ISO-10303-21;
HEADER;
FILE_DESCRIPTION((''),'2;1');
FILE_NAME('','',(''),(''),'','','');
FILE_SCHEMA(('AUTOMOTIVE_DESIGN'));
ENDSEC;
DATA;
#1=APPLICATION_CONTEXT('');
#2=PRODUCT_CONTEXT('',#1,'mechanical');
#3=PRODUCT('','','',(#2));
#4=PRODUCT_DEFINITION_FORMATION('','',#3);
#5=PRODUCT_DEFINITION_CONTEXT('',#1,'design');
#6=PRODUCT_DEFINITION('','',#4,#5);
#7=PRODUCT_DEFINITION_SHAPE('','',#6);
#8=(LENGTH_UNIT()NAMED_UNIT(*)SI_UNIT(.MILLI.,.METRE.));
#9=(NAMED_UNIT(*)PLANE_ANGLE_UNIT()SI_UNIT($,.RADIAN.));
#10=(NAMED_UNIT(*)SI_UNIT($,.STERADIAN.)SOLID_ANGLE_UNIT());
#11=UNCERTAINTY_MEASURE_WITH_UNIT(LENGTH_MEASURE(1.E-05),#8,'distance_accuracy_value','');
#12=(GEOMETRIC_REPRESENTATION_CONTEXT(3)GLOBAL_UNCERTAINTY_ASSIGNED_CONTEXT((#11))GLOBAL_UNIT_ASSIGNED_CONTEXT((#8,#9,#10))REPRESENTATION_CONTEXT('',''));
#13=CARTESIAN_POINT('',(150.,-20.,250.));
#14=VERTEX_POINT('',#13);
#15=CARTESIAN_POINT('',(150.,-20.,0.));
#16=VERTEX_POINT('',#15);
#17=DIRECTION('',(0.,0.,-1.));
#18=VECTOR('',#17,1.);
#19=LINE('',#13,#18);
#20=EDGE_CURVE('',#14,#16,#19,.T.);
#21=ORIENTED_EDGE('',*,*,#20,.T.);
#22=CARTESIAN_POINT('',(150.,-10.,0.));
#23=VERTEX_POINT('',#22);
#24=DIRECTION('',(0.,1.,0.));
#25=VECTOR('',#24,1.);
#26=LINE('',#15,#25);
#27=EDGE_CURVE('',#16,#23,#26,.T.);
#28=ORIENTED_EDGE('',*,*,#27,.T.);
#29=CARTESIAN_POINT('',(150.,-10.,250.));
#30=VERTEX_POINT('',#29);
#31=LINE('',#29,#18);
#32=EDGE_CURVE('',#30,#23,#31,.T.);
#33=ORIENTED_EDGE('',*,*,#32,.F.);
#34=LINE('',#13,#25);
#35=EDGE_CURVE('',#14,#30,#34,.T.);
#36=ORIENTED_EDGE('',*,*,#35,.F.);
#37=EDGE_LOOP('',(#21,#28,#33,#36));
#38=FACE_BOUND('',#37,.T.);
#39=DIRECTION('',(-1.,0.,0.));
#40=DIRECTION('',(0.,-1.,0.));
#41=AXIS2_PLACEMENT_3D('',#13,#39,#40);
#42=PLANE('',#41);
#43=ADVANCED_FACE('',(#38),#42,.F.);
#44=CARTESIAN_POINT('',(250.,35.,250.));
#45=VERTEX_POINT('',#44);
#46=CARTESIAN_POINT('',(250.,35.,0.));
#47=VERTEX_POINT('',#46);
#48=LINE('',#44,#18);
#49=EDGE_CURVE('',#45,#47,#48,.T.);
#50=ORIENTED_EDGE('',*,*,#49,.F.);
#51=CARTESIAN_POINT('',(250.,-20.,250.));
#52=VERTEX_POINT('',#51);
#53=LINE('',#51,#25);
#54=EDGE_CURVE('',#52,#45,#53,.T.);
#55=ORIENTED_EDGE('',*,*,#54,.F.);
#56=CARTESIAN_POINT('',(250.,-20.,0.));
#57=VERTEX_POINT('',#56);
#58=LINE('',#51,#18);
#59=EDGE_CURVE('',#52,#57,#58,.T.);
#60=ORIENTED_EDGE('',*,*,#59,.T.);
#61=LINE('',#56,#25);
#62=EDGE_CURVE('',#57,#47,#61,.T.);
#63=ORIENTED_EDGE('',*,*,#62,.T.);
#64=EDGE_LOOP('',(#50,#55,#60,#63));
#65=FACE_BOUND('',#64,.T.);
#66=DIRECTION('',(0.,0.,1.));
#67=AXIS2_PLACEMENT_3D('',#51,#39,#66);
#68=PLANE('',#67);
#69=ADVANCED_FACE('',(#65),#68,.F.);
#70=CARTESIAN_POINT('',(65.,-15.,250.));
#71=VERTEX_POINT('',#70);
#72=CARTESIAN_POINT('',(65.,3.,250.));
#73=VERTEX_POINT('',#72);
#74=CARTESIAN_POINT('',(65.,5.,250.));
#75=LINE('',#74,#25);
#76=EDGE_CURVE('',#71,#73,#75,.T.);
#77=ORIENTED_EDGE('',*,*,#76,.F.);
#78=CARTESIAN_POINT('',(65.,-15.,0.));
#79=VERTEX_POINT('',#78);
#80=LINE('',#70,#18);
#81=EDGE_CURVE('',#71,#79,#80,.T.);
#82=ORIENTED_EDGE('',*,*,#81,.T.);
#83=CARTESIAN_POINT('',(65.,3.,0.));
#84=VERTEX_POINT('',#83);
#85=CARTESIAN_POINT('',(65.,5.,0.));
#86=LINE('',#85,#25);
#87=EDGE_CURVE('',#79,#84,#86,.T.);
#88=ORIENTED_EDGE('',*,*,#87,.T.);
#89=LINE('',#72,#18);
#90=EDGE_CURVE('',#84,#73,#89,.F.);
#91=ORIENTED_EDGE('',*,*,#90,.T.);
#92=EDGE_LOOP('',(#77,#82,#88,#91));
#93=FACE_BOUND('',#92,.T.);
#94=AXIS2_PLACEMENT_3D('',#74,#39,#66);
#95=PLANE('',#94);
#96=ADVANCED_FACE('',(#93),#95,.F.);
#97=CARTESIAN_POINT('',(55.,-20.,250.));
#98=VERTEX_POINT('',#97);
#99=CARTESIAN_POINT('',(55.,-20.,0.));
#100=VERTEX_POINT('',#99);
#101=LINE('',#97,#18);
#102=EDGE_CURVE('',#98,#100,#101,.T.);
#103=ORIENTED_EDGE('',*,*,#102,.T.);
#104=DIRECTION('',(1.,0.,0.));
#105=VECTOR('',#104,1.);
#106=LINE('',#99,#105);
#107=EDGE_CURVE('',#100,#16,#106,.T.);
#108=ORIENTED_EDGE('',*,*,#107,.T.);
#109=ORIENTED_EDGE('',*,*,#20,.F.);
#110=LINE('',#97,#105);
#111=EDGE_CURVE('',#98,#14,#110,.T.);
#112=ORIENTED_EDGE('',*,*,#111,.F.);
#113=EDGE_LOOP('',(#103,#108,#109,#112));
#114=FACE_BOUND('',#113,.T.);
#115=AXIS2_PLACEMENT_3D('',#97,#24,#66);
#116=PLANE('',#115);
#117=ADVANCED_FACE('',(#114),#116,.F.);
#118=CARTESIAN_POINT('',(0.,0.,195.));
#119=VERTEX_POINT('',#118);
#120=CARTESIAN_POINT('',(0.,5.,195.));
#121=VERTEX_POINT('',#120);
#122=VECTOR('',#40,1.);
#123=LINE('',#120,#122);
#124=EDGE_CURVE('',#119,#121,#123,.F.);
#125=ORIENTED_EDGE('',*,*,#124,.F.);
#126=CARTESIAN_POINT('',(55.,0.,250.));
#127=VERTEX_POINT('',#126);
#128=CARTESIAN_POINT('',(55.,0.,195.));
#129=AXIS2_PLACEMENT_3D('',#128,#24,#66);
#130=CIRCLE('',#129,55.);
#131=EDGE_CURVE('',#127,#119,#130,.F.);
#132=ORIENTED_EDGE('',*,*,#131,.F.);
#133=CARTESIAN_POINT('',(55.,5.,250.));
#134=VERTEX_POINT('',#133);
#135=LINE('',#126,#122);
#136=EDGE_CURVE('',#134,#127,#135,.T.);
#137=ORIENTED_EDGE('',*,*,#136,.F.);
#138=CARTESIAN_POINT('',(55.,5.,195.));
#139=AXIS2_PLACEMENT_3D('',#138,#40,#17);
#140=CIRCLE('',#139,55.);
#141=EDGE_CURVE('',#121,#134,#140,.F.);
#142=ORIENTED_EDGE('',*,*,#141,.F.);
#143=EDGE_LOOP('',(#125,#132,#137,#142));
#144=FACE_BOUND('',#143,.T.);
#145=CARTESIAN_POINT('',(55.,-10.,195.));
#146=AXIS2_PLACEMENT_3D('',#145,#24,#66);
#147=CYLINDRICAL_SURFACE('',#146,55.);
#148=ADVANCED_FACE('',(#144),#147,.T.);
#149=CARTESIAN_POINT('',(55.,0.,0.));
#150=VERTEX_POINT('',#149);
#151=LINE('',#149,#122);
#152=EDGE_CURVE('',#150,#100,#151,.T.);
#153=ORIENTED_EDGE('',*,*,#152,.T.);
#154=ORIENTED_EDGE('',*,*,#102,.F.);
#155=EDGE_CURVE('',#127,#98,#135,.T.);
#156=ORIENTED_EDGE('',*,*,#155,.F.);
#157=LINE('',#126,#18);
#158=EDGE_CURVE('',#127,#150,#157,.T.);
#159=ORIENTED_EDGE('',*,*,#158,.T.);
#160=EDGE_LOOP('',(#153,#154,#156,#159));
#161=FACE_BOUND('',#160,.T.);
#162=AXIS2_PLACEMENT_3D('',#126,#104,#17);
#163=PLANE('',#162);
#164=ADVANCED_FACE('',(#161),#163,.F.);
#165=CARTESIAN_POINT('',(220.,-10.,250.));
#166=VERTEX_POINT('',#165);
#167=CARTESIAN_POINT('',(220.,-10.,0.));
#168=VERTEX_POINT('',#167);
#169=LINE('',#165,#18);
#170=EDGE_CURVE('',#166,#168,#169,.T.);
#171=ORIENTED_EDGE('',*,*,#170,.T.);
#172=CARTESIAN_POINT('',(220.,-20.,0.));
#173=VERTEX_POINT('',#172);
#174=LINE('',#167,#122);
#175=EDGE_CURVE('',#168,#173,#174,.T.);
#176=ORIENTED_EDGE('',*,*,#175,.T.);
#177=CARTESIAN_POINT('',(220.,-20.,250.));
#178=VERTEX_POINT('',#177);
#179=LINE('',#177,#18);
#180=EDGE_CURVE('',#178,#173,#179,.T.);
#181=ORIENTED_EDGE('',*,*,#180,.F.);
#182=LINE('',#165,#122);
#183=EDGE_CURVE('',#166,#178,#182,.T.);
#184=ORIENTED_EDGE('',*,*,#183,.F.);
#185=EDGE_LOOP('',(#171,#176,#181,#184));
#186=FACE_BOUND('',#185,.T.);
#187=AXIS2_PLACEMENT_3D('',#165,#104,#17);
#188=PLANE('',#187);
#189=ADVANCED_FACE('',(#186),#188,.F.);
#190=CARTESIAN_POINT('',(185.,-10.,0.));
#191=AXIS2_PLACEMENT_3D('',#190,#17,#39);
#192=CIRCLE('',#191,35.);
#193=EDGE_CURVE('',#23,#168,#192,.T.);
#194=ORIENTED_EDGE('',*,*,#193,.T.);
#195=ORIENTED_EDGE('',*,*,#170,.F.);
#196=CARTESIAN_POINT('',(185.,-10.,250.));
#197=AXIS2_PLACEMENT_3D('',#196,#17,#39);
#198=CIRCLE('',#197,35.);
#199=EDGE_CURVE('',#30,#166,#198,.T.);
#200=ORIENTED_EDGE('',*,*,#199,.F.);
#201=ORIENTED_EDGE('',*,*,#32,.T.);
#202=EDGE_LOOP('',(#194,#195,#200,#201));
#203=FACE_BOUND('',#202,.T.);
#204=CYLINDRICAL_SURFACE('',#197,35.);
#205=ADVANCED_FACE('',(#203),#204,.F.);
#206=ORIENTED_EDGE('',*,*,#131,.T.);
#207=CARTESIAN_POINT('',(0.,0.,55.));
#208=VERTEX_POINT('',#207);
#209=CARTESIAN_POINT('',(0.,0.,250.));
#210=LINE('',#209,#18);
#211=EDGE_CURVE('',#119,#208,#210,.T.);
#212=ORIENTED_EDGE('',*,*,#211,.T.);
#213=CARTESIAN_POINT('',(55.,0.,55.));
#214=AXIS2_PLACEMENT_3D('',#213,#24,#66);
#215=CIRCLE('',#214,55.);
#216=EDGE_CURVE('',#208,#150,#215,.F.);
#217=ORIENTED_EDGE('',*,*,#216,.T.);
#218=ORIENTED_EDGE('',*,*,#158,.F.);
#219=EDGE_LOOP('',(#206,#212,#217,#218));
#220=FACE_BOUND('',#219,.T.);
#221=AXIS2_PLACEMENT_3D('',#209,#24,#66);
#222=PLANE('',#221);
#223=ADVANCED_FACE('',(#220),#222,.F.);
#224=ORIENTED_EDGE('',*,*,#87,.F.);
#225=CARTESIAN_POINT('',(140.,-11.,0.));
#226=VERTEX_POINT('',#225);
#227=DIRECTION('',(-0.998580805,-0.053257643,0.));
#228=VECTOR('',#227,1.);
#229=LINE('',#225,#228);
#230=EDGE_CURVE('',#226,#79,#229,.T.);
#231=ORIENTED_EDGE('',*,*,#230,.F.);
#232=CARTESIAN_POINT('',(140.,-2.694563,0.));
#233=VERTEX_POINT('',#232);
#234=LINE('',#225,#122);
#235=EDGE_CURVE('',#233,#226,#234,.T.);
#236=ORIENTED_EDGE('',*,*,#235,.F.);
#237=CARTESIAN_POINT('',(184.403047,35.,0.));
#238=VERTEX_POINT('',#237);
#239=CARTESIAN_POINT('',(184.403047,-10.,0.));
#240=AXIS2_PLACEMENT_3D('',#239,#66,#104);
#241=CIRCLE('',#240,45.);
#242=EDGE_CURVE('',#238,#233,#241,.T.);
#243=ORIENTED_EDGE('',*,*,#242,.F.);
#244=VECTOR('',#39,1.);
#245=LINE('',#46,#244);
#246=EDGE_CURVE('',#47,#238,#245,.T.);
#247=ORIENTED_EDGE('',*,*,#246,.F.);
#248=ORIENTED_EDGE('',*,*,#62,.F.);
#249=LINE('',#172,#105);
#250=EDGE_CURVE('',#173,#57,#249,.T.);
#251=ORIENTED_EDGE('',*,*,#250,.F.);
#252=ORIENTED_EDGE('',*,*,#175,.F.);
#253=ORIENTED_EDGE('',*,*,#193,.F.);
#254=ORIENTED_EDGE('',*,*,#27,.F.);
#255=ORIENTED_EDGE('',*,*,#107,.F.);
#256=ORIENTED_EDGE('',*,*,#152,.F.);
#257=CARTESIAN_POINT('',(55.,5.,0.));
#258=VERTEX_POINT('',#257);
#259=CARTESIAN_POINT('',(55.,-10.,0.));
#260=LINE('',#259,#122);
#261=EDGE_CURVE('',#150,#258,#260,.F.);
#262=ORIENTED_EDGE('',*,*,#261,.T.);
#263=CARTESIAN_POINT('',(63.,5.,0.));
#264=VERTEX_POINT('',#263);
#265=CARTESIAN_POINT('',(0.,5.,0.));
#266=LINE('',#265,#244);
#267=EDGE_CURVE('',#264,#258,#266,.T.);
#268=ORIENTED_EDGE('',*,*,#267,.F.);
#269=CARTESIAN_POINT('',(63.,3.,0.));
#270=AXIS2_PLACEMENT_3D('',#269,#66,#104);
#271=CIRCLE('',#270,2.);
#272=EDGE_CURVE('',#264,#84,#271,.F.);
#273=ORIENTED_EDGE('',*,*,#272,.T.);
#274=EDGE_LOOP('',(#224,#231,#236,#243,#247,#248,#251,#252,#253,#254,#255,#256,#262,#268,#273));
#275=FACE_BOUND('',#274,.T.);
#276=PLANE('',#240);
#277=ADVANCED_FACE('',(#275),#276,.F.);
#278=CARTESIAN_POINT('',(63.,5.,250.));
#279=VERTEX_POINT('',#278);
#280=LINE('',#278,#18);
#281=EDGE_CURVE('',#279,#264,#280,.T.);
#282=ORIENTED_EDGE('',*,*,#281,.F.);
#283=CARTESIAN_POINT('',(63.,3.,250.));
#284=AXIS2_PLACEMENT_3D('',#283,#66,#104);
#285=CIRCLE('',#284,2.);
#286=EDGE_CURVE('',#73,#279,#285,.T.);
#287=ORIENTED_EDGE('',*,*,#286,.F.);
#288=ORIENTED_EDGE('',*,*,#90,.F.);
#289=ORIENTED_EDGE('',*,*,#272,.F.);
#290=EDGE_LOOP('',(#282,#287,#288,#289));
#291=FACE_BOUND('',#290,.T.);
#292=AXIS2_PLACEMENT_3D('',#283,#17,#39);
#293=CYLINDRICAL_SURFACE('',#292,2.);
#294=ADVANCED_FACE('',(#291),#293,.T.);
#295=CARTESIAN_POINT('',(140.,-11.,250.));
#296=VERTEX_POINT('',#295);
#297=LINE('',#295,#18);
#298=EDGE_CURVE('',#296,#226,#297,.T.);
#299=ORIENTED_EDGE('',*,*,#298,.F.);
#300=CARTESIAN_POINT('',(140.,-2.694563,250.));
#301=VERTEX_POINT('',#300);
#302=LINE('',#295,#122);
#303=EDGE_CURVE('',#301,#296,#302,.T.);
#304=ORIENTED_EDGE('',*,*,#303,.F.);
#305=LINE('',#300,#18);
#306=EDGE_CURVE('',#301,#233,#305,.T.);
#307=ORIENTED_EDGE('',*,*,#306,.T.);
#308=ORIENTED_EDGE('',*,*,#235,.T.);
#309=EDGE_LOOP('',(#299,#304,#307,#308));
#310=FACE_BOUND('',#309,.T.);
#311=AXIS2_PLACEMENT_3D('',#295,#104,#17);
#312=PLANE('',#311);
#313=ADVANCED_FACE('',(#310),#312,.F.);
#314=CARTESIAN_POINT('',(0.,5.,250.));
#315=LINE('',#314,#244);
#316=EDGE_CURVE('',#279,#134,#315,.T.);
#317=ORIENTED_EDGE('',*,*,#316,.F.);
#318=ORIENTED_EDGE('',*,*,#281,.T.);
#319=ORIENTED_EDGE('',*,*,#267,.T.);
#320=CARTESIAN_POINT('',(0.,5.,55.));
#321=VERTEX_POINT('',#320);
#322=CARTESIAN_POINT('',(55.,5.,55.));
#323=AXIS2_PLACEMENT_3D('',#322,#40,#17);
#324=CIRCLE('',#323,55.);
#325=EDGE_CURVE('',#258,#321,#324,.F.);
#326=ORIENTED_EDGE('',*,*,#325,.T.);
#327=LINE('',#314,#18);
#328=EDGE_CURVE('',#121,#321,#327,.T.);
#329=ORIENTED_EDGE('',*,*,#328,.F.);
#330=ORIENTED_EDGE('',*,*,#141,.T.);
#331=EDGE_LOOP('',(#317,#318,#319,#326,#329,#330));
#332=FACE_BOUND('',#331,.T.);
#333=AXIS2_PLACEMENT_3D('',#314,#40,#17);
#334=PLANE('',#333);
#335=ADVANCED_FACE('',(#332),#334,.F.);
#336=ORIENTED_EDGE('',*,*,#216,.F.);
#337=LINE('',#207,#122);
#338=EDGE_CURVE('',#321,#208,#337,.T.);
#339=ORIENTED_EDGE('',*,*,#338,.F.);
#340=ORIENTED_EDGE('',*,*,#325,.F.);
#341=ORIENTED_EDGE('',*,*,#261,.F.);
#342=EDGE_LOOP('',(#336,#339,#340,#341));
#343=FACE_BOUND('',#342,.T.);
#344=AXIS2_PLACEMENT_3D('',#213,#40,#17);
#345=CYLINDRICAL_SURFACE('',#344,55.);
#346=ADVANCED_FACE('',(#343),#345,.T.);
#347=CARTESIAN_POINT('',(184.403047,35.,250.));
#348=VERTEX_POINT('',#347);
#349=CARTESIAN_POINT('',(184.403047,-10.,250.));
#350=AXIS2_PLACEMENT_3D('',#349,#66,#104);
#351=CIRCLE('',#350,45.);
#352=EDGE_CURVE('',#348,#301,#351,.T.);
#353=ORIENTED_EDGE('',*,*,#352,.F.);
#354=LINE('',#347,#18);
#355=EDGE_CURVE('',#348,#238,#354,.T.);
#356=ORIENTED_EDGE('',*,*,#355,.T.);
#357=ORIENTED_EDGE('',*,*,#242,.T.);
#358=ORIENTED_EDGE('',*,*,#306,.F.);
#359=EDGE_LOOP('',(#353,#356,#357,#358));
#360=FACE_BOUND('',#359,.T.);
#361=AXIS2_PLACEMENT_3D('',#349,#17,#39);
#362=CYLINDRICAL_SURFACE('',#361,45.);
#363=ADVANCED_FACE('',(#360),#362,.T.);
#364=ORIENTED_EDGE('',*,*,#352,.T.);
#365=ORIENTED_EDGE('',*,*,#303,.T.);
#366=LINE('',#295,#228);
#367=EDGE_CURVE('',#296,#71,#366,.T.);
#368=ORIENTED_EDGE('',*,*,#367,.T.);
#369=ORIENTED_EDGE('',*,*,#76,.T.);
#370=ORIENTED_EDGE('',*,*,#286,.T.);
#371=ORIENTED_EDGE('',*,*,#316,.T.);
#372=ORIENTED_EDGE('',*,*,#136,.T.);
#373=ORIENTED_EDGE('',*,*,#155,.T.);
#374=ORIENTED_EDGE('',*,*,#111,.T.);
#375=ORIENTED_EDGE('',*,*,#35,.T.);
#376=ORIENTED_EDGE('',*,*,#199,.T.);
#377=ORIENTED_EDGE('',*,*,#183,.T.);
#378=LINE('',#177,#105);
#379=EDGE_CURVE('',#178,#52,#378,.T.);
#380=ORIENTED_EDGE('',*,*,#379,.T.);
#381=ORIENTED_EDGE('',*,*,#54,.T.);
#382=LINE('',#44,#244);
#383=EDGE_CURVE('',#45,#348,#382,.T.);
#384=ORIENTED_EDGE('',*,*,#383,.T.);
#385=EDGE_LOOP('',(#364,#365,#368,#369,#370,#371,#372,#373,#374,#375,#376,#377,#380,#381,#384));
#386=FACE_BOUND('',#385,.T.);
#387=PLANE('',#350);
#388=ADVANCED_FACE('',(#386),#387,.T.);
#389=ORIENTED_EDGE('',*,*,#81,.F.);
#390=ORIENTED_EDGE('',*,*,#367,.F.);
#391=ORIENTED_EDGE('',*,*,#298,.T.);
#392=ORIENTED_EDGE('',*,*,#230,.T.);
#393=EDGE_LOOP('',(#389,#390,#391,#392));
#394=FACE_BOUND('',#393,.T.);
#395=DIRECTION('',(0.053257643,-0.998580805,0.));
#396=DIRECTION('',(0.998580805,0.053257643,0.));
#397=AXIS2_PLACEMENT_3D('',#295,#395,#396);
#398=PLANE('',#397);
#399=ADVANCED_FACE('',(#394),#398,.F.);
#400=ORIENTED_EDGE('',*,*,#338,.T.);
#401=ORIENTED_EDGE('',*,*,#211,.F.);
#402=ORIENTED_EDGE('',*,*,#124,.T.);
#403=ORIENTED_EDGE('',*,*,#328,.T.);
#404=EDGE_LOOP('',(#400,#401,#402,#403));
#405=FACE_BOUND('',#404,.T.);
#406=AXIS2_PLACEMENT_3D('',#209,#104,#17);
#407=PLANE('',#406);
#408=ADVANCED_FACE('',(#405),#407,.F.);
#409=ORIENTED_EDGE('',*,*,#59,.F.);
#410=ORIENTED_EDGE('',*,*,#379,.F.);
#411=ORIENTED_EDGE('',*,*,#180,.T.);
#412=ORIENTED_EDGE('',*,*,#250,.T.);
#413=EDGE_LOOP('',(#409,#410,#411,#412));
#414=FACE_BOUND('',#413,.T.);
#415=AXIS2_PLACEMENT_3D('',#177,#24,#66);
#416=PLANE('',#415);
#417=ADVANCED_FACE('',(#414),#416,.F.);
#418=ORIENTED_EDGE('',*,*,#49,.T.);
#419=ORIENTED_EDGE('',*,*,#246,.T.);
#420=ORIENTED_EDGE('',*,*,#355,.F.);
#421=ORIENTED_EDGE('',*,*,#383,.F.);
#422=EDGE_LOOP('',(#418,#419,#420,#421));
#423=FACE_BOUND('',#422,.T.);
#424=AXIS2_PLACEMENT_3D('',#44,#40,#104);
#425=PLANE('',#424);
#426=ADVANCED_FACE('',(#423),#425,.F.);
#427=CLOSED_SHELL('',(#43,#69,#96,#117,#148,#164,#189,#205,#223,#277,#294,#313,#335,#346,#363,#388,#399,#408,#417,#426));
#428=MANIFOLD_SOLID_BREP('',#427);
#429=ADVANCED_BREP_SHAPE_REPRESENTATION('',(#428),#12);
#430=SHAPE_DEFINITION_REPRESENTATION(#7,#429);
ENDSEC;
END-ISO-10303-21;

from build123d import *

# Parameters (mm, degrees)
BOSS_EXTRU_1_DEPTH = 250
CONG_1_R           = 55
CONG_2_R           = 2


with BuildPart() as part:
    # Esquisse1 → Boss.-Extru.1 (new body)
    with BuildSketch(Plane.XY):
        with BuildLine():
            Line((0, 0), (55, 0))
            Line((55, 0), (55, -20))
            Line((55, -20), (150, -20))
            Line((150, -20), (150, -10))
            ThreePointArc((150, -10), (185, 25), (220, -10))
            Line((220, -10), (220, -20))
            Line((220, -20), (250, -20))
            Line((250, -20), (250, 35))
            Line((250, 35), (184.403047163, 35))
            ThreePointArc((184.403047163, 35), (155.280415441, 24.305572748), (140, -2.694563485))
            Line((140, -2.694563485), (140, -11))
            Line((140, -11), (65, -15))
            Line((65, -15), (65, 5))
            Line((65, 5), (0, 5))
            Line((0, 5), (0, 0))
        make_face()
    extrude(amount=BOSS_EXTRU_1_DEPTH)

    # Congé1
    cong_1_edges = [part.edges().sort_by_distance(p)[0] for p in [
        (0, 2.5, 0),
        (0, 2.5, 250),
    ]]
    fillet(cong_1_edges, radius=CONG_1_R)

    # Congé2
    cong_2_edges = [part.edges().sort_by_distance(p)[0] for p in [
        (65, 5, 125),
    ]]
    fillet(cong_2_edges, radius=CONG_2_R)


solid = part.part
